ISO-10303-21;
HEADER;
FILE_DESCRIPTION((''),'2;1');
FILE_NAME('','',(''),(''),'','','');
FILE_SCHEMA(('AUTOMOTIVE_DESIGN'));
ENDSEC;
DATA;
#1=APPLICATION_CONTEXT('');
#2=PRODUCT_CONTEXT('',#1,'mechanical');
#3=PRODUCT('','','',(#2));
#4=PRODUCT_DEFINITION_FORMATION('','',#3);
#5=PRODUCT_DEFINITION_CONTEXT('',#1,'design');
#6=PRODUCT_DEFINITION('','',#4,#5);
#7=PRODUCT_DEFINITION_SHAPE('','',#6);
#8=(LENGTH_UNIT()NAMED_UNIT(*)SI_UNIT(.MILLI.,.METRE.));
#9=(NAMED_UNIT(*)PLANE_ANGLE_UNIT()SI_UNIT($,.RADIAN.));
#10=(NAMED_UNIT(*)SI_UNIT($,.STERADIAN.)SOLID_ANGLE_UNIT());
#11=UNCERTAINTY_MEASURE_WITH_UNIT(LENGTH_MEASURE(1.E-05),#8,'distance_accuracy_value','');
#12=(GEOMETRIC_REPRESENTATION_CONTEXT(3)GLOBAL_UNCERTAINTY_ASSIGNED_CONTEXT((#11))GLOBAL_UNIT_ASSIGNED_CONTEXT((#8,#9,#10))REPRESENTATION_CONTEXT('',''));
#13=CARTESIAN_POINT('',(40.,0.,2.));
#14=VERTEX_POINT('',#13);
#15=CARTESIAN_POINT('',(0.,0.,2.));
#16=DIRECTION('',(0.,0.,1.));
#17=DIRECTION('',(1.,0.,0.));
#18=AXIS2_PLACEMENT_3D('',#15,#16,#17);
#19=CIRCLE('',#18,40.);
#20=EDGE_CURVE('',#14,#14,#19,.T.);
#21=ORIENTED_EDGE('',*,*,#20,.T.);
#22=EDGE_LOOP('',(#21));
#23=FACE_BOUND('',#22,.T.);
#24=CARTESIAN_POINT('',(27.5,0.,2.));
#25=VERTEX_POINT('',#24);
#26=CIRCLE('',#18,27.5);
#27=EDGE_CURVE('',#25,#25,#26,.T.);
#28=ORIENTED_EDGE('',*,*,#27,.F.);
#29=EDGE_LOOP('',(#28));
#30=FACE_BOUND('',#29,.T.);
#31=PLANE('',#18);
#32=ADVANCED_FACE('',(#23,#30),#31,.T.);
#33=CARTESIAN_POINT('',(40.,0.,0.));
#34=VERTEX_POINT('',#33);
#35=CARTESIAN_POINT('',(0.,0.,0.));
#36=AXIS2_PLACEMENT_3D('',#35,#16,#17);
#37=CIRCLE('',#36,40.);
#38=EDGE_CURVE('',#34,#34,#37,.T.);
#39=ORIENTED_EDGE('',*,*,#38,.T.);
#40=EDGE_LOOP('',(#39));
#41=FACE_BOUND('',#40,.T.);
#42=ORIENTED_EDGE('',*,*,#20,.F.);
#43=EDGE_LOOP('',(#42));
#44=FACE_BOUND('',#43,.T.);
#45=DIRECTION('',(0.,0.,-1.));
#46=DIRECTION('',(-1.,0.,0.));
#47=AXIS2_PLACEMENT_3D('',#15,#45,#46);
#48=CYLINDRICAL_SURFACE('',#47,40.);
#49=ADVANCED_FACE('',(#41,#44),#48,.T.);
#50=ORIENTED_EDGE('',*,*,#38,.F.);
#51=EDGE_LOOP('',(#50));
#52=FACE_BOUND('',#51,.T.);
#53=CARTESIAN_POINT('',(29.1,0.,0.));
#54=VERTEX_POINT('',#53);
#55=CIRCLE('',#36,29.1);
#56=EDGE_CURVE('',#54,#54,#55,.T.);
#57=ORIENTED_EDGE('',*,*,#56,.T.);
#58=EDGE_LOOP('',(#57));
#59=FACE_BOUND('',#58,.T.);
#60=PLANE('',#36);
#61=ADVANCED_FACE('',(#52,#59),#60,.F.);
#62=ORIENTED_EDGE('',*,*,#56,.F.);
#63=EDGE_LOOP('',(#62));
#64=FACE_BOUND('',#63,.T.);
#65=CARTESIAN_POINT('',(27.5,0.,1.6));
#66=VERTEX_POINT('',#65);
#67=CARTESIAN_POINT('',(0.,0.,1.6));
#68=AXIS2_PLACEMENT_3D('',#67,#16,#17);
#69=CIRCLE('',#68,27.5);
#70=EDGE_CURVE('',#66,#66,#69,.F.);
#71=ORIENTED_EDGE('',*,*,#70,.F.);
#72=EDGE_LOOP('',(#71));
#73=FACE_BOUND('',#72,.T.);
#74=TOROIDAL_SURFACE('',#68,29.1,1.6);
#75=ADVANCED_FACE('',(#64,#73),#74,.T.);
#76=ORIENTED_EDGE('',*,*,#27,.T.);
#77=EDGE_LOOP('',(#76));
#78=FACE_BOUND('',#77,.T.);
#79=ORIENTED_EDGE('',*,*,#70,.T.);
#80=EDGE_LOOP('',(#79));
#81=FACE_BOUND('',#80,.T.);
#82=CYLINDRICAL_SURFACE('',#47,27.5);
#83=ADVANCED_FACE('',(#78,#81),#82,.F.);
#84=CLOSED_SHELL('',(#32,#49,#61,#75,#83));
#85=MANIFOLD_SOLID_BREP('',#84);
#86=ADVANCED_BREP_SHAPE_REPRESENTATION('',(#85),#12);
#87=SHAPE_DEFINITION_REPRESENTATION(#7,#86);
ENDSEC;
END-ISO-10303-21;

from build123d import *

# Parameters (mm, degrees)
SKETCH1_R           = 40
SKETCH1_R_2         = 27.5
BOSS_EXTRUDE1_DEPTH = 2
FILLET1_R           = 1.6


with BuildPart() as part:
    # Sketch1 → Boss-Extrude1 (new body)
    with BuildSketch(Plane.XY):
        Circle(SKETCH1_R)
        Circle(SKETCH1_R_2, mode=Mode.SUBTRACT)
    extrude(amount=BOSS_EXTRUDE1_DEPTH)

    # Fillet1
    fillet1_edges = [part.edges().sort_by_distance(p)[0] for p in [
        (-27.5, 0, 0),
    ]]
    fillet(fillet1_edges, radius=FILLET1_R)


solid = part.part
